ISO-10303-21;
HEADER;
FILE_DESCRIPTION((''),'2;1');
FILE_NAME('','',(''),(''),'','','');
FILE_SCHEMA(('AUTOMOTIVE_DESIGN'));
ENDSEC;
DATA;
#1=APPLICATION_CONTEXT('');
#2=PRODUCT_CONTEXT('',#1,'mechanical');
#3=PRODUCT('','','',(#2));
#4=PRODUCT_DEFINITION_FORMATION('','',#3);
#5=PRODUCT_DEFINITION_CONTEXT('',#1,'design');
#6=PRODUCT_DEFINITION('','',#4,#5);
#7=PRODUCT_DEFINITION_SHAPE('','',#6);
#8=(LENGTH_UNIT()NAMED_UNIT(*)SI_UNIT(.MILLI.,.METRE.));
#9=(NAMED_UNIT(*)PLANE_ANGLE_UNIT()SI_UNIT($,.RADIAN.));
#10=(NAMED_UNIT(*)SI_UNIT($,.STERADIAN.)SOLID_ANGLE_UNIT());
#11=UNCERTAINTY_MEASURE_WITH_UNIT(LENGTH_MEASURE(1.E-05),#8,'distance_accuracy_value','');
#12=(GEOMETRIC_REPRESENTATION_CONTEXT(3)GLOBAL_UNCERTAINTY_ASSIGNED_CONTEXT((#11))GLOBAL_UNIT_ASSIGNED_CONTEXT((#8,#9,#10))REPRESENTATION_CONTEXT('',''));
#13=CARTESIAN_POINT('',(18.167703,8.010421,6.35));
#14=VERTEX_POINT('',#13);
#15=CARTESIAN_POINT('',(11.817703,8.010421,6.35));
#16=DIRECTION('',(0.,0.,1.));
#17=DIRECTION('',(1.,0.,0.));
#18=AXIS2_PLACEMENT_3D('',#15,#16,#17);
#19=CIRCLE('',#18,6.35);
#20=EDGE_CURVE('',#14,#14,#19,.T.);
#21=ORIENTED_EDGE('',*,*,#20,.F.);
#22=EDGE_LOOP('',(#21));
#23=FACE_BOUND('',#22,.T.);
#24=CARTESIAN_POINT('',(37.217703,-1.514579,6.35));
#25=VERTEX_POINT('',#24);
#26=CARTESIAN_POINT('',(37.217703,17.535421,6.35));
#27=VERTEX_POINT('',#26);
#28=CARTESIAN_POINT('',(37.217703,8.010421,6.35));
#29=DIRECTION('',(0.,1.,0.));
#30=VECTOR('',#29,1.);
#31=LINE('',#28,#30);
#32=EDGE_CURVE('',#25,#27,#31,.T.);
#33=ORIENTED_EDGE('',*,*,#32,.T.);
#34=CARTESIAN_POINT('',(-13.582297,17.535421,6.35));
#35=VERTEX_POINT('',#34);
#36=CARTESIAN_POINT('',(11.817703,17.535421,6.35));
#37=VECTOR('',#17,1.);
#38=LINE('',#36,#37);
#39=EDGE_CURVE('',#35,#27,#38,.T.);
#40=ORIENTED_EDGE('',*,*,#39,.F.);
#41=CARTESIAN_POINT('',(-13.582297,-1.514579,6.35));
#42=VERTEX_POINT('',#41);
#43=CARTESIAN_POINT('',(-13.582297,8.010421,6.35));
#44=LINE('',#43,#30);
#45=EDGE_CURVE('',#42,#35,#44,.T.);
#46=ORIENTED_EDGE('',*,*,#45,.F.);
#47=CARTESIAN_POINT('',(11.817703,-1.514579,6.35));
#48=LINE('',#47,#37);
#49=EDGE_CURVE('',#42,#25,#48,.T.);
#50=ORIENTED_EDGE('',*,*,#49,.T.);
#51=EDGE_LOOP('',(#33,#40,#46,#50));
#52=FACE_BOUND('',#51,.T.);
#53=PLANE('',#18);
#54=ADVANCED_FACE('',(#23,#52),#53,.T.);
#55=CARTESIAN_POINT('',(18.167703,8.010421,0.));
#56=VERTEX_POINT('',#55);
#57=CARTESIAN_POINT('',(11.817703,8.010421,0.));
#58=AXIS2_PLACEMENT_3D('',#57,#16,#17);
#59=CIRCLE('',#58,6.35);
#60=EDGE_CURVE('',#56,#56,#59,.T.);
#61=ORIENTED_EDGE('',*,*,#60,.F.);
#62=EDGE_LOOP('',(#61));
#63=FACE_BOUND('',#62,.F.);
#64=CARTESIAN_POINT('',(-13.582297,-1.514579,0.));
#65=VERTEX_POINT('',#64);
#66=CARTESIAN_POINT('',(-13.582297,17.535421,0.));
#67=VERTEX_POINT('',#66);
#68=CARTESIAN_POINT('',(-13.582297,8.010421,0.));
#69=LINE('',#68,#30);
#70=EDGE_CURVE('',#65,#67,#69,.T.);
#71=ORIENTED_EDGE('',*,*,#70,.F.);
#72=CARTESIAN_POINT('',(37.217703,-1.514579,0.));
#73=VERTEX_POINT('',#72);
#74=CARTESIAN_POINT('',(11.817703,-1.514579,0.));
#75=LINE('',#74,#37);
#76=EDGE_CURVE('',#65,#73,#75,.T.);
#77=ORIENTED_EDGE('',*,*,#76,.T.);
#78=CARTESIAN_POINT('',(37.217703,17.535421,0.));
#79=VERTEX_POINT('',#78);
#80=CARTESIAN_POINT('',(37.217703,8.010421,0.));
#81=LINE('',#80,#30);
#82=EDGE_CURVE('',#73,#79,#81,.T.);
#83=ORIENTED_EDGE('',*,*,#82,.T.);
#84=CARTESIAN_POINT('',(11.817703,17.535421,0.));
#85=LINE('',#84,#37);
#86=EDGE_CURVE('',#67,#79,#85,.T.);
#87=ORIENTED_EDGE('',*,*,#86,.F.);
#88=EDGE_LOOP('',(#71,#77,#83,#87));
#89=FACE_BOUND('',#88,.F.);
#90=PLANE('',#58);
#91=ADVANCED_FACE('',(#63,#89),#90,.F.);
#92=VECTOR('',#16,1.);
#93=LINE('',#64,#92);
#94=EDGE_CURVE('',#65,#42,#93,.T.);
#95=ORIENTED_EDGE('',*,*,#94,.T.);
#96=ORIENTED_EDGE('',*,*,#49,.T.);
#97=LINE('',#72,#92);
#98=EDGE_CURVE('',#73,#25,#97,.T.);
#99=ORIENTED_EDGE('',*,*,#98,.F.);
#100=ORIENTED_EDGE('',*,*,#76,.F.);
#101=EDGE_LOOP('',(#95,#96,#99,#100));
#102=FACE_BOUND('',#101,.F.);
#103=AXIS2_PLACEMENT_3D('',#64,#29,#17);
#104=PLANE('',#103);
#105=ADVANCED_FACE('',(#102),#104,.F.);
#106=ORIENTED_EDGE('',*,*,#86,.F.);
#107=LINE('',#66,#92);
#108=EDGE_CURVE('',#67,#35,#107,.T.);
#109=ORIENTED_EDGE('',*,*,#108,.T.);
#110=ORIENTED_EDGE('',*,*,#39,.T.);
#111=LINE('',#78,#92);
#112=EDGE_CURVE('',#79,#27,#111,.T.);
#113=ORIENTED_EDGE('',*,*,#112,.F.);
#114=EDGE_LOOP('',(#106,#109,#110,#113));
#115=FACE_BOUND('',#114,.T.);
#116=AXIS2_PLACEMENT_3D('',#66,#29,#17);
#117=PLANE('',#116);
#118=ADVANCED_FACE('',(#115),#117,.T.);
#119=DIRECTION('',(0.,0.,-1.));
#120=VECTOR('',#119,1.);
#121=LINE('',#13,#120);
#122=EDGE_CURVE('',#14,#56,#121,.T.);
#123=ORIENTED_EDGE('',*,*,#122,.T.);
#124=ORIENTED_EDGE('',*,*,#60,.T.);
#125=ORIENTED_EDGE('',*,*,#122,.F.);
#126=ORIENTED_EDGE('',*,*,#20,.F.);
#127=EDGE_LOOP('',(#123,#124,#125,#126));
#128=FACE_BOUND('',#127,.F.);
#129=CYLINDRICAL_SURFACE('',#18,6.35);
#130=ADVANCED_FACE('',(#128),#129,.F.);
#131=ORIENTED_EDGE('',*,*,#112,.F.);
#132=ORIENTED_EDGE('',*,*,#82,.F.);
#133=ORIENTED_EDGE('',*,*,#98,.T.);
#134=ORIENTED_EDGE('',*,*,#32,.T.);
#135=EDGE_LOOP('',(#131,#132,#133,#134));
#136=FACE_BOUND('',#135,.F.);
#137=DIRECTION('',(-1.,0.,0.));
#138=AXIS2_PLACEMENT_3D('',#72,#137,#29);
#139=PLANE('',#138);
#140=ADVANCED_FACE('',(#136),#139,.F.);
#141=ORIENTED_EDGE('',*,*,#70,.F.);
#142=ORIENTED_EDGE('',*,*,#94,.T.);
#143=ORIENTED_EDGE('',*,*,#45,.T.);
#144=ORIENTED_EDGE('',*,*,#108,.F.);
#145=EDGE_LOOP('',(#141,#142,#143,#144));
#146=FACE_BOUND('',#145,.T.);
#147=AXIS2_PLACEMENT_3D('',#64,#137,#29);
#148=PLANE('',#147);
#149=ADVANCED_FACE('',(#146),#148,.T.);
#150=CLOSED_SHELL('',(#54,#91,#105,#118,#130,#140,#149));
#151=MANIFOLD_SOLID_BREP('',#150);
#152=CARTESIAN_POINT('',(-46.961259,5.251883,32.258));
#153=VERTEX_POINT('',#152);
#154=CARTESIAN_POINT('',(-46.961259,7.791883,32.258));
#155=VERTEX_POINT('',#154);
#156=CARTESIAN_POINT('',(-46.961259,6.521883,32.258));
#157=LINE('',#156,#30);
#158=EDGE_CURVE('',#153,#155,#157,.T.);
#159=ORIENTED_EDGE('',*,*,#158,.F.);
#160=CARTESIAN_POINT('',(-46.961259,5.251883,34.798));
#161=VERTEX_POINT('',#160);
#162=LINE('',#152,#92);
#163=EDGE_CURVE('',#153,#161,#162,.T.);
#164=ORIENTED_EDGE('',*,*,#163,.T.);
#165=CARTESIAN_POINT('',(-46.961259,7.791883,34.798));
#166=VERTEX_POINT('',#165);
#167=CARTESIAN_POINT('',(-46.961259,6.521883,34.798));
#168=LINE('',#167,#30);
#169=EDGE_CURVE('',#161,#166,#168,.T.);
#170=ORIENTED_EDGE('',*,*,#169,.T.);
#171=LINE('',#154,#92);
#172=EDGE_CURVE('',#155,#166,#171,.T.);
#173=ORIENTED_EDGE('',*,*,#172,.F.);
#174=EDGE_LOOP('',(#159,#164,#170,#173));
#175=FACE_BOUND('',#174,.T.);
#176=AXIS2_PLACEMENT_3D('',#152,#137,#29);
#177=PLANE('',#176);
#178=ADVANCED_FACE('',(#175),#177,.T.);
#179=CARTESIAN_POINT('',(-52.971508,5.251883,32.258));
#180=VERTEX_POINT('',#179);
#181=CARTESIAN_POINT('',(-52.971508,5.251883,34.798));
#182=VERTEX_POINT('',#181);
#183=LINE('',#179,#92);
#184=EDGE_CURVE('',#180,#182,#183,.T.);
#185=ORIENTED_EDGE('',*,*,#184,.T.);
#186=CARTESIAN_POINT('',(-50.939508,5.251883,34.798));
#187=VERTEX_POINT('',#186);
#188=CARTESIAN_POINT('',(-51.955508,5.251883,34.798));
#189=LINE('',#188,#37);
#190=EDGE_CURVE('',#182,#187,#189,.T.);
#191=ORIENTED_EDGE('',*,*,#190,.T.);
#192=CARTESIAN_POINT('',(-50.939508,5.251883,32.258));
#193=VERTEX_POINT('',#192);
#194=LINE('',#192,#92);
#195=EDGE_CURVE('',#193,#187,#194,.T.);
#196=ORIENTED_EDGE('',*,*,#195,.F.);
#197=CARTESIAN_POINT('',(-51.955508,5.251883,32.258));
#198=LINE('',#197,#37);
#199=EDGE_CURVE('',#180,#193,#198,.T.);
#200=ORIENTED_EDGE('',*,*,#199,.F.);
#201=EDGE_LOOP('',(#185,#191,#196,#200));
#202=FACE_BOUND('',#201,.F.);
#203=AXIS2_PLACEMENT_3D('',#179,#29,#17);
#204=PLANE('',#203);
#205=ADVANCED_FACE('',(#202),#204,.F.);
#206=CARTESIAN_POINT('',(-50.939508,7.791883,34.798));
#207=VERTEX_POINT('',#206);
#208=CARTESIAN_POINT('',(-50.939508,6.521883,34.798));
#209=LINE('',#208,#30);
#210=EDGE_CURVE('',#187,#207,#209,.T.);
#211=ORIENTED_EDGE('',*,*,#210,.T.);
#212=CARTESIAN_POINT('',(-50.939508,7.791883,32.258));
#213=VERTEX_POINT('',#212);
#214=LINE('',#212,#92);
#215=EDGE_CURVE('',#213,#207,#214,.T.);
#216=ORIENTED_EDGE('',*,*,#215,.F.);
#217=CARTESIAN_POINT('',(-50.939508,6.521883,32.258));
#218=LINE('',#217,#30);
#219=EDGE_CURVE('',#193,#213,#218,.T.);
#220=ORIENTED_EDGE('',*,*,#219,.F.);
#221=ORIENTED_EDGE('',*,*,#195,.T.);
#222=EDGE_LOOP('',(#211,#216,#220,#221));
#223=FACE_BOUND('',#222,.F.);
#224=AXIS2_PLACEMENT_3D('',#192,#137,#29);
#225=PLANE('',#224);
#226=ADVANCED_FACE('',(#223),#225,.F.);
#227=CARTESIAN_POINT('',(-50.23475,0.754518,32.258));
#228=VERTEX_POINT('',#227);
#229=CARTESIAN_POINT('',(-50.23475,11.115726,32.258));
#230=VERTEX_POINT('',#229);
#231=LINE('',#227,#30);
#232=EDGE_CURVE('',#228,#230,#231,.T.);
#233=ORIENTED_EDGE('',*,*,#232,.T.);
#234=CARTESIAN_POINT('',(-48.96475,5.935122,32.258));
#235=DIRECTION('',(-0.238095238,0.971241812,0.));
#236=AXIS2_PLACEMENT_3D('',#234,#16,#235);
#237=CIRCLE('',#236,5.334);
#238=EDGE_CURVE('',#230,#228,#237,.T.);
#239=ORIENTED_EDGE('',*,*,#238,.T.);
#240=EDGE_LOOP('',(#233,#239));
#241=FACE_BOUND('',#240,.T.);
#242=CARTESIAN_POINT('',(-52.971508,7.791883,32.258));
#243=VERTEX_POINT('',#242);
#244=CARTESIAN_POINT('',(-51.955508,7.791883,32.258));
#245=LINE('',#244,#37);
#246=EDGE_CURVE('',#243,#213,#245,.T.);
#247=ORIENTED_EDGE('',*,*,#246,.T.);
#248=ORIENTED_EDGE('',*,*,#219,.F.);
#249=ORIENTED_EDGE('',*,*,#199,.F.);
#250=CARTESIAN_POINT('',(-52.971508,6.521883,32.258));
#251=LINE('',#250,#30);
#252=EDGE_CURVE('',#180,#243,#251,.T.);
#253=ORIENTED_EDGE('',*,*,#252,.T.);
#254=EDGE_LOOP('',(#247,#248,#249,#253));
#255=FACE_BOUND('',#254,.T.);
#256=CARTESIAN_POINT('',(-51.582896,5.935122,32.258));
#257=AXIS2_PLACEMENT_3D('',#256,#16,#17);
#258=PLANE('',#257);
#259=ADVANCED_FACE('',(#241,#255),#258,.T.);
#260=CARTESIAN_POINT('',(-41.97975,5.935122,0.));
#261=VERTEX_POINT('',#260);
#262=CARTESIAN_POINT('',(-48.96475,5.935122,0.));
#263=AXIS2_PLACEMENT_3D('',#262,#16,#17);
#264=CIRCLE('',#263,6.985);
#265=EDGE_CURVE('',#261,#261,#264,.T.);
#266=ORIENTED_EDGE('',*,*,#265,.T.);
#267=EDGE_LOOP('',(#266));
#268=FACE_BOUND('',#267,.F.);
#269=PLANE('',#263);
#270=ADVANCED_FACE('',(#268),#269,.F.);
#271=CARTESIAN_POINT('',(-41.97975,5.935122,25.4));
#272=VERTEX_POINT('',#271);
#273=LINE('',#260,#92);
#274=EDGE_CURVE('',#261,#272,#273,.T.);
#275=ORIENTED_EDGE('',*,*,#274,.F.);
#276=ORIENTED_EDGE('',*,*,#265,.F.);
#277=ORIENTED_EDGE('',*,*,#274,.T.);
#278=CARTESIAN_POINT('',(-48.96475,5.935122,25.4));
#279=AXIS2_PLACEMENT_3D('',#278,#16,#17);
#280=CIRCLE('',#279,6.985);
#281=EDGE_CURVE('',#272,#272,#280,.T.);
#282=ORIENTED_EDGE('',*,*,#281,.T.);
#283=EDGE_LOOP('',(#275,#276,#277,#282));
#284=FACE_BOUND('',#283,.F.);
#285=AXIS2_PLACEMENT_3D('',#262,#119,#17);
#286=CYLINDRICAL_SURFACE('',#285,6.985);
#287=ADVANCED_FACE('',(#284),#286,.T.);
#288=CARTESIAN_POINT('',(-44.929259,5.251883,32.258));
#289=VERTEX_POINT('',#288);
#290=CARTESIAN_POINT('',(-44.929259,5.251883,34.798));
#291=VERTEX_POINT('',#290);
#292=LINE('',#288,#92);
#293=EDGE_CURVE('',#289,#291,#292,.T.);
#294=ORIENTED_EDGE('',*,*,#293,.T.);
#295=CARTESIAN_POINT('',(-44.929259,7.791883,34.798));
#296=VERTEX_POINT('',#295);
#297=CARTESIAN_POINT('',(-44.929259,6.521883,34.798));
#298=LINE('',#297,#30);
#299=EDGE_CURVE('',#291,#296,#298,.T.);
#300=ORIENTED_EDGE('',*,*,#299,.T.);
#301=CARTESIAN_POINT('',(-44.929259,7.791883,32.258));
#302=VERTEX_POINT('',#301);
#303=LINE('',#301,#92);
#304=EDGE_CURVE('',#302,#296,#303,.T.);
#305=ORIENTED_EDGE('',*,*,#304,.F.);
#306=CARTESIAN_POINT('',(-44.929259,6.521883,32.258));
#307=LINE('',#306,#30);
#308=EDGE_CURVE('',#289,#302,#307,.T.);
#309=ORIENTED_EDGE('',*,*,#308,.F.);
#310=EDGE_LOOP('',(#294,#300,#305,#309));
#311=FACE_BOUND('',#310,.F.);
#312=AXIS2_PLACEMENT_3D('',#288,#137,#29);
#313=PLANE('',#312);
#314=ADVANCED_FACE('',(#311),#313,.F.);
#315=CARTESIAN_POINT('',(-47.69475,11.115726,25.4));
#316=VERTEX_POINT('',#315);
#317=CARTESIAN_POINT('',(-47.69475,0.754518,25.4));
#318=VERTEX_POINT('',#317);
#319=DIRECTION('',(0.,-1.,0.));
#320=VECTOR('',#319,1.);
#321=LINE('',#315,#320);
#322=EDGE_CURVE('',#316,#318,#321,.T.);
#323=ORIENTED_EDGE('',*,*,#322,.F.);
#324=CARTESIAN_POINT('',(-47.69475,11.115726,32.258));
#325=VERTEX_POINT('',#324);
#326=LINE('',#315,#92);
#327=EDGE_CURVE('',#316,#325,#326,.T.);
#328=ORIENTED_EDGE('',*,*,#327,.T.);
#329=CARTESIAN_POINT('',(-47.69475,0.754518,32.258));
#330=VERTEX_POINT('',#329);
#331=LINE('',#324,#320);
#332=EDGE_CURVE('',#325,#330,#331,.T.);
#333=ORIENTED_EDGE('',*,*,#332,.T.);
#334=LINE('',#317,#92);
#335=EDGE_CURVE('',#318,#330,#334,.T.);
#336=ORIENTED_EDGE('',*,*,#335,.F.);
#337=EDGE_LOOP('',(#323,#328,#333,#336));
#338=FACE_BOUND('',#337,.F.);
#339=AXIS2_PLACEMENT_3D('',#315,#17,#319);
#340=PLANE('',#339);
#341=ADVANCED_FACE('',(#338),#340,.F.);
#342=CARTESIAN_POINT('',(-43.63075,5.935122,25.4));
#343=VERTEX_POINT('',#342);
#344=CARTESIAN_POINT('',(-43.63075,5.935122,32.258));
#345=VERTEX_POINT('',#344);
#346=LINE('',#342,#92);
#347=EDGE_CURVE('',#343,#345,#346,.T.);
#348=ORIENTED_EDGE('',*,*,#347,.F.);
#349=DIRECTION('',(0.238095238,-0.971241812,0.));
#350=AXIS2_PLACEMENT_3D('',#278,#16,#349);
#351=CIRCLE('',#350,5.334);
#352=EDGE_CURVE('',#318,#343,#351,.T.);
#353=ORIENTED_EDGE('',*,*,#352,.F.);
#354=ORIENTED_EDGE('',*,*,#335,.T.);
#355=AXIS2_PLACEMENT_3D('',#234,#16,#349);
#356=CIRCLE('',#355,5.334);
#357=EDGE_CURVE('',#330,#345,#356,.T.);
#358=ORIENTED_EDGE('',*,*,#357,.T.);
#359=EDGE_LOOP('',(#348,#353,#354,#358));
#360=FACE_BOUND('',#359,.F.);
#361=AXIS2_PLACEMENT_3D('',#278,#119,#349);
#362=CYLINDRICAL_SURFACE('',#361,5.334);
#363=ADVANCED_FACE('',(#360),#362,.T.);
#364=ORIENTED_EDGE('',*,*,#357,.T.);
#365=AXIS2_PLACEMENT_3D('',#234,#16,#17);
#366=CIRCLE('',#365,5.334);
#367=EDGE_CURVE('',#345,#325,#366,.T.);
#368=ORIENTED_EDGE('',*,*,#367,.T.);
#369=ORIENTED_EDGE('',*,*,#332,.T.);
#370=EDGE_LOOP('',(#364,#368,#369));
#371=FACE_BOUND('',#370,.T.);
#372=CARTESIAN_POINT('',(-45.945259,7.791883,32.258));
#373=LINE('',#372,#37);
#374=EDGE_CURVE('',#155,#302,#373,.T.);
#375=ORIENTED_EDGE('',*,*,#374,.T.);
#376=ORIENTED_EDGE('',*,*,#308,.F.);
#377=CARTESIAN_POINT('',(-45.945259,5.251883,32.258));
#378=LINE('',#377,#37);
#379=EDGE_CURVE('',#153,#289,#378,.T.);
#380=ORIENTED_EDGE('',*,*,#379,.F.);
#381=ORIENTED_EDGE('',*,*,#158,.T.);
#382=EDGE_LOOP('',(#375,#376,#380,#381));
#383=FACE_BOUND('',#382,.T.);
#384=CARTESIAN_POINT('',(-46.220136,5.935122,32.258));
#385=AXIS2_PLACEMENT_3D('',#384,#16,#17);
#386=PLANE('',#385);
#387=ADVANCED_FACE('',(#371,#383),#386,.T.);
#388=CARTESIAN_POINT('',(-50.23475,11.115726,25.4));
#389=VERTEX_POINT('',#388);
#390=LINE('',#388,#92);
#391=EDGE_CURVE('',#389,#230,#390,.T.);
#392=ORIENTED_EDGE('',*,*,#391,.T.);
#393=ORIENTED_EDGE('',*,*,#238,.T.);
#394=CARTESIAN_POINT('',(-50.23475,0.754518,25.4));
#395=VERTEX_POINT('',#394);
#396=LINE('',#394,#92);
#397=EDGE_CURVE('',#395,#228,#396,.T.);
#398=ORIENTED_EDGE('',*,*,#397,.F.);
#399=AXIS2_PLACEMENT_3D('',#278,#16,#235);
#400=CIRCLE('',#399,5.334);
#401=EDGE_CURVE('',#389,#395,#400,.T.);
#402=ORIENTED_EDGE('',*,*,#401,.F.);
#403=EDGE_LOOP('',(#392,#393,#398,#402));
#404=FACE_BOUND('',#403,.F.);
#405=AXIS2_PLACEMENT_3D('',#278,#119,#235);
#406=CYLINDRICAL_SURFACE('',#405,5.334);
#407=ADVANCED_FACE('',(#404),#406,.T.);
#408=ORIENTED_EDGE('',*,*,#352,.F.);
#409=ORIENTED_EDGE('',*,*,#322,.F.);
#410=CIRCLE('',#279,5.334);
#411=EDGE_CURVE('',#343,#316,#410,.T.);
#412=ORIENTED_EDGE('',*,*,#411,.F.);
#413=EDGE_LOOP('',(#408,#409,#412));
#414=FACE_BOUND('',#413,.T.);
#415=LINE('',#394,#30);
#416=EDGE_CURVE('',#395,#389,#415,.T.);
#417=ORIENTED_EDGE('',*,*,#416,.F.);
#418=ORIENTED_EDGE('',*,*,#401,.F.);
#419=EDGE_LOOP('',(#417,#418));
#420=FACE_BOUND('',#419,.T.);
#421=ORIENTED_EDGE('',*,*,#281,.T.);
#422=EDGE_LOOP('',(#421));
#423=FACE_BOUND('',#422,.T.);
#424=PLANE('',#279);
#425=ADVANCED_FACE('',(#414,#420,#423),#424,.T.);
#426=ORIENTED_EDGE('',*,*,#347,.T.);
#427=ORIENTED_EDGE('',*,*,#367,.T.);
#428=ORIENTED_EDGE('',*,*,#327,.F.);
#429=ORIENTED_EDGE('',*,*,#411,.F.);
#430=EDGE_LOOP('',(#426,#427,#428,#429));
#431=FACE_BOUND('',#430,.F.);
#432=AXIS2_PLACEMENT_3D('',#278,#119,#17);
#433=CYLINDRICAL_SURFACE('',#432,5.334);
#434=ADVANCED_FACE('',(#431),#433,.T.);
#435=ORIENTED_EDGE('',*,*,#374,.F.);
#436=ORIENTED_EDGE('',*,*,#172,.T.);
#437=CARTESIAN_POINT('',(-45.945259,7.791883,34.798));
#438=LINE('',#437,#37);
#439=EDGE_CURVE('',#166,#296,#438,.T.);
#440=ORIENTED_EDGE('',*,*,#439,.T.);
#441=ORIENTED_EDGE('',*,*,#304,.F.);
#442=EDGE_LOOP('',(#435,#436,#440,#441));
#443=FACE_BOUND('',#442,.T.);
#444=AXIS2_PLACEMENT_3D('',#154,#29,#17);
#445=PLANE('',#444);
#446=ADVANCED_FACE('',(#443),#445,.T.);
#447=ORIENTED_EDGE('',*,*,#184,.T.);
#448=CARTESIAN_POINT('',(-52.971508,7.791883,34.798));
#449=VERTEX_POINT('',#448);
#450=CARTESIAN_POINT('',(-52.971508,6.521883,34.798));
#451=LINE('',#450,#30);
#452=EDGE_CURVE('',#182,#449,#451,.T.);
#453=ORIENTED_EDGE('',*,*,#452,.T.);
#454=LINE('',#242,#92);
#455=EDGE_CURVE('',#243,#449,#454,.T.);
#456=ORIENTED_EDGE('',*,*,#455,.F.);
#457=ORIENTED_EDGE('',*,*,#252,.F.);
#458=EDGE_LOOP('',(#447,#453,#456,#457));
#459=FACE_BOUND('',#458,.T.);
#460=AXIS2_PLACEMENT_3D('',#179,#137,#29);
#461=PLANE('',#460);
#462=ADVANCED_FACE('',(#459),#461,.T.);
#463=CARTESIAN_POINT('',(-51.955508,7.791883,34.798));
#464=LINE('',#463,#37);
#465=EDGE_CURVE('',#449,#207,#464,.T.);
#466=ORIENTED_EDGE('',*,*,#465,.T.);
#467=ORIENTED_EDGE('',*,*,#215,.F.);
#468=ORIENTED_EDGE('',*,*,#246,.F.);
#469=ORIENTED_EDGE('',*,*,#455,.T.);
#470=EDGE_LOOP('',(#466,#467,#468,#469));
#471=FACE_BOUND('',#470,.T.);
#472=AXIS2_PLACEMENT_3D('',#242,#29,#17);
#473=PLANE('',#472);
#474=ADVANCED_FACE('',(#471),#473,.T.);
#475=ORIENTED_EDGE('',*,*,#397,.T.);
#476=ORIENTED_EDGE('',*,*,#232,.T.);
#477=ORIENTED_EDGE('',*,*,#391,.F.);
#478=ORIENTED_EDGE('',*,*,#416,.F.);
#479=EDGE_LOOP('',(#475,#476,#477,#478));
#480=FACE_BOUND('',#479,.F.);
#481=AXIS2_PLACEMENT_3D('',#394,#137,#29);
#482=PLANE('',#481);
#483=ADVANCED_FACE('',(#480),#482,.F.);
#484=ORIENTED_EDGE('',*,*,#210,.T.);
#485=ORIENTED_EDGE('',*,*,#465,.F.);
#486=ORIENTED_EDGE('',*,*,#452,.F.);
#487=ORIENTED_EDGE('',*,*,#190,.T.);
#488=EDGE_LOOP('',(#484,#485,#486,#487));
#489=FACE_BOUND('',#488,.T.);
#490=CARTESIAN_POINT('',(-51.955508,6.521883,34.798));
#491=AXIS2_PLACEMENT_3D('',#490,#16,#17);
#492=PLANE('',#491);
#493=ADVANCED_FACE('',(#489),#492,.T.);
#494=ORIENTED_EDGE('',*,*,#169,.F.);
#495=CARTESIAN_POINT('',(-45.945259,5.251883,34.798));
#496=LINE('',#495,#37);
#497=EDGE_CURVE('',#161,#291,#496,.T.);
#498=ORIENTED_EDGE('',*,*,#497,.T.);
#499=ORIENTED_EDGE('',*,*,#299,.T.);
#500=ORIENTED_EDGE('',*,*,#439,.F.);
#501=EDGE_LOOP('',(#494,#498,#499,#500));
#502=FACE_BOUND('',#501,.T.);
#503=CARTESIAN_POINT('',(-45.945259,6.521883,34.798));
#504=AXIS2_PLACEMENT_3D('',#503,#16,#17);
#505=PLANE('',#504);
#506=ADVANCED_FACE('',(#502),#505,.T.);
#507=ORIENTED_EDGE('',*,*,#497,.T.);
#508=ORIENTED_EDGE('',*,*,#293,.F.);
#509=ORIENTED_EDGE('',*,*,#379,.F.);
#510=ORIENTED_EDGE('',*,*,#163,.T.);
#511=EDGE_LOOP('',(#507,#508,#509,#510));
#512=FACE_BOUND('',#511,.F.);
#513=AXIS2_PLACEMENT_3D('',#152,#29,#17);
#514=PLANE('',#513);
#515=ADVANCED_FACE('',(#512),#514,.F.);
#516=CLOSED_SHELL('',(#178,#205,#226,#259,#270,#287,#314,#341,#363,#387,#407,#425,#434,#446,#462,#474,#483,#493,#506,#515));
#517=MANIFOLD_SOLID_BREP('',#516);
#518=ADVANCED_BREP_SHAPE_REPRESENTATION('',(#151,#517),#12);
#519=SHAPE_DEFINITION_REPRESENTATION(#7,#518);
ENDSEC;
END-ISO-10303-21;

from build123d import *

# Parameters (mm, degrees)
F0_W     = 50.8
F0_H     = 19.05
F1_DEPTH = 6.35
F2_R     = 6.35
F3_DEPTH = 25.4
F4_R     = 6.985
F5_DEPTH = 25.4
F7_DEPTH = 6.858
F8_W     = 2.032
F8_H     = 2.54
F9_DEPTH = 2.54


with BuildPart() as f1:
    # F0 (on Top) → F1 (new body)
    with BuildSketch(Plane.XY):
        with Locations((11.8177033305, 8.0104206771)):
            Rectangle(F0_W, F0_H)
    extrude(amount=F1_DEPTH)

    # F2 (on face) → F3 (cut)
    with BuildSketch(Plane.XY.offset(6.35)):
        with Locations((11.8177033305, 8.0104206771)):
            Circle(F2_R)
    extrude(amount=-F3_DEPTH, mode=Mode.SUBTRACT)


with BuildPart() as f5:
    # F4 (on Top) → F5 (new body)
    with BuildSketch(Plane.XY):
        with Locations((-48.9647500217, 5.9351217933)):
            Circle(F4_R)
    extrude(amount=F5_DEPTH)

    # F6 (on face) → F7 (join)
    with BuildSketch(Plane.XY.offset(25.4)):
        with BuildLine():
            ThreePointArc((-47.6947500217, 0.7545179675), (-44.7679812647, 2.6429055185), (-43.6307500217, 5.9351217933))
            ThreePointArc((-43.6307500217, 5.9351217933), (-44.7679812647, 9.2273380681), (-47.6947500217, 11.1157256191))
            Line((-47.6947500217, 11.1157256191), (-47.6947500217, 5.9351217933))
            Line((-47.6947500217, 5.9351217933), (-47.6947500217, 0.7545179675))
        make_face()
        with BuildLine():
            Line((-50.2347500217, 5.9351217933), (-50.2347500217, 11.1157256191))
            ThreePointArc((-50.2347500217, 11.1157256191), (-54.2987500217, 5.9351217933), (-50.2347500217, 0.7545179675))
            Line((-50.2347500217, 0.7545179675), (-50.2347500217, 5.9351217933))
        make_face()
    extrude(amount=F7_DEPTH)

    # F8 (on face) → F9 (join)
    with BuildSketch(Plane.XY.offset(32.258)):
        with Locations((-45.9452590969, 6.5218828465)):
            Rectangle(F8_W, F8_H)
        with Locations((-51.9555083539, 6.5218828465)):
            Rectangle(F8_W, F8_H)
    extrude(amount=F9_DEPTH)


solid = Compound([f1.part, f5.part])
